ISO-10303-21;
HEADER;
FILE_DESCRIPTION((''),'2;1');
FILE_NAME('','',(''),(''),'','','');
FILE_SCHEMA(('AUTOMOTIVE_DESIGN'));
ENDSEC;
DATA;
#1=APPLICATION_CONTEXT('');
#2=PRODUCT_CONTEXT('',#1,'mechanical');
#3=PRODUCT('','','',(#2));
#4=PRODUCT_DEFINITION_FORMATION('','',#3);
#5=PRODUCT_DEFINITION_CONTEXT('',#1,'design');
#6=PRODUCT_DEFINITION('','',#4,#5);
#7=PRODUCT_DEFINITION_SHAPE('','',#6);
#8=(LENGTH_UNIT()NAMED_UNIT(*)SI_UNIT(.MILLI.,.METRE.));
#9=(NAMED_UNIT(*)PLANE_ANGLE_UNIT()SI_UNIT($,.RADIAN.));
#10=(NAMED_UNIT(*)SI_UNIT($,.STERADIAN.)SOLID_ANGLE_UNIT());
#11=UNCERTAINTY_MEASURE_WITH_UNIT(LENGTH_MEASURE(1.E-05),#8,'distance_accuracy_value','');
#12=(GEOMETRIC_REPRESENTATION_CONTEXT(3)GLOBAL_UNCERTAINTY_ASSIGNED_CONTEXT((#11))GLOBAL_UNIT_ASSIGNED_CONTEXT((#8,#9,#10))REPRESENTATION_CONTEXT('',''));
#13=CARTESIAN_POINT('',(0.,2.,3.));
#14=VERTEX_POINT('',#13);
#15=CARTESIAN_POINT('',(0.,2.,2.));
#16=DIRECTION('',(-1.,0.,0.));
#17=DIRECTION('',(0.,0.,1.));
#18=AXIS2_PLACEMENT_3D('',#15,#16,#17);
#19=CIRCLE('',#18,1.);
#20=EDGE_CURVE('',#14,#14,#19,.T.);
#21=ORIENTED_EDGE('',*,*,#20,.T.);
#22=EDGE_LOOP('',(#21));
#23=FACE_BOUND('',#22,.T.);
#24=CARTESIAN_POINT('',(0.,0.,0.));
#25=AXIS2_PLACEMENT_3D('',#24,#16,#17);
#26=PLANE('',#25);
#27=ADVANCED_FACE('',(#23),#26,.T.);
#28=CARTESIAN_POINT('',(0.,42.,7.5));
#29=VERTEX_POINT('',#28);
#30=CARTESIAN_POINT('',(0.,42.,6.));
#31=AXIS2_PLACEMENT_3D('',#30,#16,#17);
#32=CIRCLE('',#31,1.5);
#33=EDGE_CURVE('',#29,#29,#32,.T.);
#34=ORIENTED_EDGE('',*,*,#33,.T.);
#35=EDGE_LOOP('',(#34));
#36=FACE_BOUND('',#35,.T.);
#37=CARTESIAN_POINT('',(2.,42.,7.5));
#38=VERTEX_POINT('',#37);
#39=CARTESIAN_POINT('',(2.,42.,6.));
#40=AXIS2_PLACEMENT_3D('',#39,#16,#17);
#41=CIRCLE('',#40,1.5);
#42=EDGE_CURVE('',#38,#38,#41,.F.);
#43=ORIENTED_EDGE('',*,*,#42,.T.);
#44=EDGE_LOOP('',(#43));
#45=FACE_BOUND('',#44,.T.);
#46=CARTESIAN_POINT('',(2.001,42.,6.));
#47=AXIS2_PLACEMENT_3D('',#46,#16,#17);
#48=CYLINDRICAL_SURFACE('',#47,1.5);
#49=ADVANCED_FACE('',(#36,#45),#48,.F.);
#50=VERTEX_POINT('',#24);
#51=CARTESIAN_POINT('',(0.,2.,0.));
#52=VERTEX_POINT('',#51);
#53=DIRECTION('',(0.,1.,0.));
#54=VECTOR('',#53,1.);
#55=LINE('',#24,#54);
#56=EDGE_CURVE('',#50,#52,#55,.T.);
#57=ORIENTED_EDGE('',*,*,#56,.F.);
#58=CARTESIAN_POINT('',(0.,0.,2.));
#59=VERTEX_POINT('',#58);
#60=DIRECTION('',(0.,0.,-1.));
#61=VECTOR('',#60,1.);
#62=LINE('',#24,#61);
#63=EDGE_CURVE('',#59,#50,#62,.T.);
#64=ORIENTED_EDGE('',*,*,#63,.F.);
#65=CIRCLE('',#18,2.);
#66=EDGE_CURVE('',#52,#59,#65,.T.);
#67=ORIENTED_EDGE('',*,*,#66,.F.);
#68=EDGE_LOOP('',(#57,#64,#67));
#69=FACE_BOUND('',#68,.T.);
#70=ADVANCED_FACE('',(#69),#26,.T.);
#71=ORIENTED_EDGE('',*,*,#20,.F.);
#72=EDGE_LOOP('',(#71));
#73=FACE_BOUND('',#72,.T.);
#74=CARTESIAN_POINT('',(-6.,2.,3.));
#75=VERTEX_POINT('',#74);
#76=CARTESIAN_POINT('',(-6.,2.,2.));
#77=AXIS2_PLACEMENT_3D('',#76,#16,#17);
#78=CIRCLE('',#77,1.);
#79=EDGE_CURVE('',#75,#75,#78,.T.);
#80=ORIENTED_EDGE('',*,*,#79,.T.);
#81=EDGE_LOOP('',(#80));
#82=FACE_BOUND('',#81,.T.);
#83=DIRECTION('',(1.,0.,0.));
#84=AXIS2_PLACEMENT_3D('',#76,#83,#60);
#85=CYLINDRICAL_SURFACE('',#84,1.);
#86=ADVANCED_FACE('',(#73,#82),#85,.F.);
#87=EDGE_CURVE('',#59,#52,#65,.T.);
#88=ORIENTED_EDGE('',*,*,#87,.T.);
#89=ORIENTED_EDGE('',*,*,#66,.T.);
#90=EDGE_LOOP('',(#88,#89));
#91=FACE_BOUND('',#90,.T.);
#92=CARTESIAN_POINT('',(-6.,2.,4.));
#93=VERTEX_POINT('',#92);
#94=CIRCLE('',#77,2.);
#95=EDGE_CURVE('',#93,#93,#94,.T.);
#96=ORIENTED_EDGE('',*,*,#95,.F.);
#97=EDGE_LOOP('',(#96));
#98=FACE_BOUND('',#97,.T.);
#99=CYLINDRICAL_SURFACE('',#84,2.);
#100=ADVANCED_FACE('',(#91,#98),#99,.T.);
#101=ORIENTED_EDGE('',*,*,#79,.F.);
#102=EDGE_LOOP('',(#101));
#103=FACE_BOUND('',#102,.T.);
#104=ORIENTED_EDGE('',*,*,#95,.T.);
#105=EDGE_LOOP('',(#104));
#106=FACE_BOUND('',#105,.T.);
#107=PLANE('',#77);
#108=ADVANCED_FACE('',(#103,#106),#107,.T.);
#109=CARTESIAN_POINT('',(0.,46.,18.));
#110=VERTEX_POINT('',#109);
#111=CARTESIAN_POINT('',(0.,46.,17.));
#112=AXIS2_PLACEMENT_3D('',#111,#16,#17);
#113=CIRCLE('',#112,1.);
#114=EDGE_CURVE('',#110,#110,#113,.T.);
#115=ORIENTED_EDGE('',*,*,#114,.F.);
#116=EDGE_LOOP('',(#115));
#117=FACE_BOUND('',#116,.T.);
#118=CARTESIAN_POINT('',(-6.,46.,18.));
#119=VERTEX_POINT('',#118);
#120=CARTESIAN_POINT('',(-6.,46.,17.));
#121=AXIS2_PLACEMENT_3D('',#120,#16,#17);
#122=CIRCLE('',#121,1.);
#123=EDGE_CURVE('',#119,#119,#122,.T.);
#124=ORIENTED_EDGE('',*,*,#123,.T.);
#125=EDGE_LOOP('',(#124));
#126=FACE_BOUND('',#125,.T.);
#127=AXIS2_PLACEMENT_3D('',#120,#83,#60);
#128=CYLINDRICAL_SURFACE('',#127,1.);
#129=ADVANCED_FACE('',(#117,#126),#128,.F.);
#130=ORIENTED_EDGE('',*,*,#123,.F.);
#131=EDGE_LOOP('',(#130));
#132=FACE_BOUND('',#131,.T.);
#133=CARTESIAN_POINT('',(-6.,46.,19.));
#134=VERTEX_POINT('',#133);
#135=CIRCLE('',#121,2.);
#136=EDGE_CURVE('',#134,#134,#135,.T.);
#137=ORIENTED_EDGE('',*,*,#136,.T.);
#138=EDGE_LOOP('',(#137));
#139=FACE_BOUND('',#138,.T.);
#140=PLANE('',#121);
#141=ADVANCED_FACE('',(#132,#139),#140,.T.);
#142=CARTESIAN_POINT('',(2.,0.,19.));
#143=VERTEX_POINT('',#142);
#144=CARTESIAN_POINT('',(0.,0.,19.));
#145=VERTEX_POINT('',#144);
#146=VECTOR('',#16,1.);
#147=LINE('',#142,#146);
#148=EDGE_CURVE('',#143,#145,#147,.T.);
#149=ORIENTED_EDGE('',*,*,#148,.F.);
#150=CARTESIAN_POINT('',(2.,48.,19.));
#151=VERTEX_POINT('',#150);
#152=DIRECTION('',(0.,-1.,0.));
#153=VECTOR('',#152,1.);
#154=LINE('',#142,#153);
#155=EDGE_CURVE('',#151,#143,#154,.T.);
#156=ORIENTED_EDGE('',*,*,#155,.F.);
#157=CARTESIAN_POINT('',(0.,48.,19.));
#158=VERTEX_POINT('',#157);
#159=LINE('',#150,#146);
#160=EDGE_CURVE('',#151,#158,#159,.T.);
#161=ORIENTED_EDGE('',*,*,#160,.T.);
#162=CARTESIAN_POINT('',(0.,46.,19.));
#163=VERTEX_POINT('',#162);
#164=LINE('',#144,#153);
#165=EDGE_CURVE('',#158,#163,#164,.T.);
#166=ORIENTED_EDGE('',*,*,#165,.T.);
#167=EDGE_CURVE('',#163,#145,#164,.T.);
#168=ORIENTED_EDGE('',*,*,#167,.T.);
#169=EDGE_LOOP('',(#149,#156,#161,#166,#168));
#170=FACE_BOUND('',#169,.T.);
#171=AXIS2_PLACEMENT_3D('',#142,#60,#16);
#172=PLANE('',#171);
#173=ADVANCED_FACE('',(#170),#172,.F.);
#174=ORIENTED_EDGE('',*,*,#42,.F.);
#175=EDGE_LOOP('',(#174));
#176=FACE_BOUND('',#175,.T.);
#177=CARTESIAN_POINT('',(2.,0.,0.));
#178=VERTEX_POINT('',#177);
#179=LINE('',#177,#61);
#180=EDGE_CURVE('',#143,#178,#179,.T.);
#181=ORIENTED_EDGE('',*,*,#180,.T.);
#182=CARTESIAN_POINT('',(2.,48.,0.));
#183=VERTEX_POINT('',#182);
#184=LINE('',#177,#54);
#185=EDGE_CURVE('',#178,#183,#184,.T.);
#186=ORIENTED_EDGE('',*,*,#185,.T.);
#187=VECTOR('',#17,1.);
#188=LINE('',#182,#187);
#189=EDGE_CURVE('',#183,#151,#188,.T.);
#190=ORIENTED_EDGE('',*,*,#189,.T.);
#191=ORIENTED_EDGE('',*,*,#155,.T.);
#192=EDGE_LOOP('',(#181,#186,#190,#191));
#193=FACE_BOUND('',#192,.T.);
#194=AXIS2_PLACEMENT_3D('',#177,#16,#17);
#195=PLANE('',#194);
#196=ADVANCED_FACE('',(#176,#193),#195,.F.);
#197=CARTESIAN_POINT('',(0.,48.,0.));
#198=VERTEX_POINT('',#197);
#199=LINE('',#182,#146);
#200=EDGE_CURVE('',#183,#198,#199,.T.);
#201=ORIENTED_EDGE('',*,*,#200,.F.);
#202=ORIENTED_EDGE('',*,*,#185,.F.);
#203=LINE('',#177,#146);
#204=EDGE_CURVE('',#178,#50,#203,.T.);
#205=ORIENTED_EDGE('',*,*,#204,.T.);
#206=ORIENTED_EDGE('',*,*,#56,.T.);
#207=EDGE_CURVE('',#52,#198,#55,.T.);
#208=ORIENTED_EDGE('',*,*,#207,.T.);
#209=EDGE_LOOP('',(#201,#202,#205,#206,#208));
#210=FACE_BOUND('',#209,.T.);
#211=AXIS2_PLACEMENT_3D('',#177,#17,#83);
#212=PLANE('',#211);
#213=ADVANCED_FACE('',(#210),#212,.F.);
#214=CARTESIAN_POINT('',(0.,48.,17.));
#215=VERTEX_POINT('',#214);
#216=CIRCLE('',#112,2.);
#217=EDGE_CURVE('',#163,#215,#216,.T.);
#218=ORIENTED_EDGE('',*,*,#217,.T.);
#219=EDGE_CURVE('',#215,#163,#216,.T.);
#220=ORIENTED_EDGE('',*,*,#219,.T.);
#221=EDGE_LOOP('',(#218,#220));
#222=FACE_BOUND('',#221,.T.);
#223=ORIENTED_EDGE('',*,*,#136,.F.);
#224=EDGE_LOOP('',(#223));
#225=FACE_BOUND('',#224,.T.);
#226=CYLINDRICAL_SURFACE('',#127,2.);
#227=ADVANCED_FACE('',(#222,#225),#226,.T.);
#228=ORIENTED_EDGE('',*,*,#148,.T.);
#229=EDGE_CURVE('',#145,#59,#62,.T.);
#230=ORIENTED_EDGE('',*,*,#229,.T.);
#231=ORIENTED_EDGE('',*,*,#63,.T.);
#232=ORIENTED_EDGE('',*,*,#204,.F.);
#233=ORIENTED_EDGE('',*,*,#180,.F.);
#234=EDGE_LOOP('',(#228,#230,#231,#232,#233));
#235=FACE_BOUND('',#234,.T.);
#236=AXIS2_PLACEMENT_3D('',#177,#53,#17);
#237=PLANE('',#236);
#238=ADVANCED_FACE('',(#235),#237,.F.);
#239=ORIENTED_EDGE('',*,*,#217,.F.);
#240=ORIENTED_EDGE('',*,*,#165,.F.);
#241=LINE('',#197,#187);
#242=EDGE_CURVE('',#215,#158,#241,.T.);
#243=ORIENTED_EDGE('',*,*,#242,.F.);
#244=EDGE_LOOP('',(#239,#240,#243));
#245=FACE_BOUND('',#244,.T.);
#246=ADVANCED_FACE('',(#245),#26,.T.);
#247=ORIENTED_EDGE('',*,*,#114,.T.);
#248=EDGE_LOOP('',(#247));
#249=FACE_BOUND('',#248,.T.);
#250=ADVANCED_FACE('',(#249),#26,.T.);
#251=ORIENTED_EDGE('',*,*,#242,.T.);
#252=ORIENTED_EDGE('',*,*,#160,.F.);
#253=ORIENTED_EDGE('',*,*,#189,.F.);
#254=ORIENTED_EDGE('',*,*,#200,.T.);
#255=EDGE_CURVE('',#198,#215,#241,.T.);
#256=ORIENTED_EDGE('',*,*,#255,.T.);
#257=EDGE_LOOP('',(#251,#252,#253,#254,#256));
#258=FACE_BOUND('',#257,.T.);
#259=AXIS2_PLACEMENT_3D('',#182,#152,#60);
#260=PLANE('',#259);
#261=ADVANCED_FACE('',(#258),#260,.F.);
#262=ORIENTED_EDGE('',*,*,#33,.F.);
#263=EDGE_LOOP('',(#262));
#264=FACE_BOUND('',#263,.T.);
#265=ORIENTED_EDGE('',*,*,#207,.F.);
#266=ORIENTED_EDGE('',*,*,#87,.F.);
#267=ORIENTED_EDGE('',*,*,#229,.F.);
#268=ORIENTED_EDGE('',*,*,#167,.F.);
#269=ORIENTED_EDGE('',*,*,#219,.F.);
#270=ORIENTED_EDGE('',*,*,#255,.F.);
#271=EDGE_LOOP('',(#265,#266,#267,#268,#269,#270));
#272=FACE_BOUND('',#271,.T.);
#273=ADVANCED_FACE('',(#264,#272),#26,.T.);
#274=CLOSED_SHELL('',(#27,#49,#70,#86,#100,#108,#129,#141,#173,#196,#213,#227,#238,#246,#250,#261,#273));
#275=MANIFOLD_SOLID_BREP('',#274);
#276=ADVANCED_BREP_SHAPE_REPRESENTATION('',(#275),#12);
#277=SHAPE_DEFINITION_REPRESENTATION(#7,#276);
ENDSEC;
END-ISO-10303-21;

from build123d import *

# Parameters (mm, degrees)
SKETCH1_W           = 48
SKETCH1_H           = 19
BOSS_EXTRUDE1_DEPTH = 2
SKETCH2_R           = 2
SKETCH2_R_2         = 1
BOSS_EXTRUDE2_DEPTH = 6
CUT_EXTRUDE1_REACH  = 53.971
SKETCH3_R           = 1.5


with BuildPart() as part:
    # Sketch1 → Boss-Extrude1 (new body)
    with BuildSketch(Plane.YZ):
        with Locations((24, 9.5)):
            Rectangle(SKETCH1_W, SKETCH1_H)
    extrude(amount=BOSS_EXTRUDE1_DEPTH)

    # Sketch2 → Boss-Extrude2 (add)
    # profile 1 of 2: a face of its own
    with BuildSketch(Plane(origin=(0, 0, 0), x_dir=(0, -1, 0), z_dir=(-1, 0, 0))):
        with Locations(Location((-46, 17, 0), (0, 0, 90))):
            Circle(SKETCH2_R)
        with Locations(Location((-46, 17, 0), (0, 0, 90))):
            Circle(SKETCH2_R_2, mode=Mode.SUBTRACT)
    # profile 2 of 2: a face of its own
    with BuildSketch(Plane(origin=(0, 0, 0), x_dir=(0, -1, 0), z_dir=(-1, 0, 0))):
        with Locations(Location((-2, 2, 0), (0, 0, 270))):
            Circle(SKETCH2_R)
        with Locations(Location((-2, 2, 0), (0, 0, 90))):
            Circle(SKETCH2_R_2, mode=Mode.SUBTRACT)
    extrude(amount=BOSS_EXTRUDE2_DEPTH)

    # Sketch3 → Cut-Extrude1 (cut, up to next)
    with BuildSketch(Plane(origin=(0, 0, 0), x_dir=(0, -1, 0), z_dir=(-1, 0, 0)), mode=Mode.PRIVATE) as cut_extrude1_sk1:
        with Locations(Location((-42, 6, 0), (0, 0, 90))):
            Circle(SKETCH3_R)
    cut_extrude1_tool1 = extrude(cut_extrude1_sk1.sketch, amount=-CUT_EXTRUDE1_REACH, mode=Mode.PRIVATE) & part.part
    add(cut_extrude1_tool1.solids().sort_by_distance((0, 42, 6))[0], mode=Mode.SUBTRACT)


solid = part.part
